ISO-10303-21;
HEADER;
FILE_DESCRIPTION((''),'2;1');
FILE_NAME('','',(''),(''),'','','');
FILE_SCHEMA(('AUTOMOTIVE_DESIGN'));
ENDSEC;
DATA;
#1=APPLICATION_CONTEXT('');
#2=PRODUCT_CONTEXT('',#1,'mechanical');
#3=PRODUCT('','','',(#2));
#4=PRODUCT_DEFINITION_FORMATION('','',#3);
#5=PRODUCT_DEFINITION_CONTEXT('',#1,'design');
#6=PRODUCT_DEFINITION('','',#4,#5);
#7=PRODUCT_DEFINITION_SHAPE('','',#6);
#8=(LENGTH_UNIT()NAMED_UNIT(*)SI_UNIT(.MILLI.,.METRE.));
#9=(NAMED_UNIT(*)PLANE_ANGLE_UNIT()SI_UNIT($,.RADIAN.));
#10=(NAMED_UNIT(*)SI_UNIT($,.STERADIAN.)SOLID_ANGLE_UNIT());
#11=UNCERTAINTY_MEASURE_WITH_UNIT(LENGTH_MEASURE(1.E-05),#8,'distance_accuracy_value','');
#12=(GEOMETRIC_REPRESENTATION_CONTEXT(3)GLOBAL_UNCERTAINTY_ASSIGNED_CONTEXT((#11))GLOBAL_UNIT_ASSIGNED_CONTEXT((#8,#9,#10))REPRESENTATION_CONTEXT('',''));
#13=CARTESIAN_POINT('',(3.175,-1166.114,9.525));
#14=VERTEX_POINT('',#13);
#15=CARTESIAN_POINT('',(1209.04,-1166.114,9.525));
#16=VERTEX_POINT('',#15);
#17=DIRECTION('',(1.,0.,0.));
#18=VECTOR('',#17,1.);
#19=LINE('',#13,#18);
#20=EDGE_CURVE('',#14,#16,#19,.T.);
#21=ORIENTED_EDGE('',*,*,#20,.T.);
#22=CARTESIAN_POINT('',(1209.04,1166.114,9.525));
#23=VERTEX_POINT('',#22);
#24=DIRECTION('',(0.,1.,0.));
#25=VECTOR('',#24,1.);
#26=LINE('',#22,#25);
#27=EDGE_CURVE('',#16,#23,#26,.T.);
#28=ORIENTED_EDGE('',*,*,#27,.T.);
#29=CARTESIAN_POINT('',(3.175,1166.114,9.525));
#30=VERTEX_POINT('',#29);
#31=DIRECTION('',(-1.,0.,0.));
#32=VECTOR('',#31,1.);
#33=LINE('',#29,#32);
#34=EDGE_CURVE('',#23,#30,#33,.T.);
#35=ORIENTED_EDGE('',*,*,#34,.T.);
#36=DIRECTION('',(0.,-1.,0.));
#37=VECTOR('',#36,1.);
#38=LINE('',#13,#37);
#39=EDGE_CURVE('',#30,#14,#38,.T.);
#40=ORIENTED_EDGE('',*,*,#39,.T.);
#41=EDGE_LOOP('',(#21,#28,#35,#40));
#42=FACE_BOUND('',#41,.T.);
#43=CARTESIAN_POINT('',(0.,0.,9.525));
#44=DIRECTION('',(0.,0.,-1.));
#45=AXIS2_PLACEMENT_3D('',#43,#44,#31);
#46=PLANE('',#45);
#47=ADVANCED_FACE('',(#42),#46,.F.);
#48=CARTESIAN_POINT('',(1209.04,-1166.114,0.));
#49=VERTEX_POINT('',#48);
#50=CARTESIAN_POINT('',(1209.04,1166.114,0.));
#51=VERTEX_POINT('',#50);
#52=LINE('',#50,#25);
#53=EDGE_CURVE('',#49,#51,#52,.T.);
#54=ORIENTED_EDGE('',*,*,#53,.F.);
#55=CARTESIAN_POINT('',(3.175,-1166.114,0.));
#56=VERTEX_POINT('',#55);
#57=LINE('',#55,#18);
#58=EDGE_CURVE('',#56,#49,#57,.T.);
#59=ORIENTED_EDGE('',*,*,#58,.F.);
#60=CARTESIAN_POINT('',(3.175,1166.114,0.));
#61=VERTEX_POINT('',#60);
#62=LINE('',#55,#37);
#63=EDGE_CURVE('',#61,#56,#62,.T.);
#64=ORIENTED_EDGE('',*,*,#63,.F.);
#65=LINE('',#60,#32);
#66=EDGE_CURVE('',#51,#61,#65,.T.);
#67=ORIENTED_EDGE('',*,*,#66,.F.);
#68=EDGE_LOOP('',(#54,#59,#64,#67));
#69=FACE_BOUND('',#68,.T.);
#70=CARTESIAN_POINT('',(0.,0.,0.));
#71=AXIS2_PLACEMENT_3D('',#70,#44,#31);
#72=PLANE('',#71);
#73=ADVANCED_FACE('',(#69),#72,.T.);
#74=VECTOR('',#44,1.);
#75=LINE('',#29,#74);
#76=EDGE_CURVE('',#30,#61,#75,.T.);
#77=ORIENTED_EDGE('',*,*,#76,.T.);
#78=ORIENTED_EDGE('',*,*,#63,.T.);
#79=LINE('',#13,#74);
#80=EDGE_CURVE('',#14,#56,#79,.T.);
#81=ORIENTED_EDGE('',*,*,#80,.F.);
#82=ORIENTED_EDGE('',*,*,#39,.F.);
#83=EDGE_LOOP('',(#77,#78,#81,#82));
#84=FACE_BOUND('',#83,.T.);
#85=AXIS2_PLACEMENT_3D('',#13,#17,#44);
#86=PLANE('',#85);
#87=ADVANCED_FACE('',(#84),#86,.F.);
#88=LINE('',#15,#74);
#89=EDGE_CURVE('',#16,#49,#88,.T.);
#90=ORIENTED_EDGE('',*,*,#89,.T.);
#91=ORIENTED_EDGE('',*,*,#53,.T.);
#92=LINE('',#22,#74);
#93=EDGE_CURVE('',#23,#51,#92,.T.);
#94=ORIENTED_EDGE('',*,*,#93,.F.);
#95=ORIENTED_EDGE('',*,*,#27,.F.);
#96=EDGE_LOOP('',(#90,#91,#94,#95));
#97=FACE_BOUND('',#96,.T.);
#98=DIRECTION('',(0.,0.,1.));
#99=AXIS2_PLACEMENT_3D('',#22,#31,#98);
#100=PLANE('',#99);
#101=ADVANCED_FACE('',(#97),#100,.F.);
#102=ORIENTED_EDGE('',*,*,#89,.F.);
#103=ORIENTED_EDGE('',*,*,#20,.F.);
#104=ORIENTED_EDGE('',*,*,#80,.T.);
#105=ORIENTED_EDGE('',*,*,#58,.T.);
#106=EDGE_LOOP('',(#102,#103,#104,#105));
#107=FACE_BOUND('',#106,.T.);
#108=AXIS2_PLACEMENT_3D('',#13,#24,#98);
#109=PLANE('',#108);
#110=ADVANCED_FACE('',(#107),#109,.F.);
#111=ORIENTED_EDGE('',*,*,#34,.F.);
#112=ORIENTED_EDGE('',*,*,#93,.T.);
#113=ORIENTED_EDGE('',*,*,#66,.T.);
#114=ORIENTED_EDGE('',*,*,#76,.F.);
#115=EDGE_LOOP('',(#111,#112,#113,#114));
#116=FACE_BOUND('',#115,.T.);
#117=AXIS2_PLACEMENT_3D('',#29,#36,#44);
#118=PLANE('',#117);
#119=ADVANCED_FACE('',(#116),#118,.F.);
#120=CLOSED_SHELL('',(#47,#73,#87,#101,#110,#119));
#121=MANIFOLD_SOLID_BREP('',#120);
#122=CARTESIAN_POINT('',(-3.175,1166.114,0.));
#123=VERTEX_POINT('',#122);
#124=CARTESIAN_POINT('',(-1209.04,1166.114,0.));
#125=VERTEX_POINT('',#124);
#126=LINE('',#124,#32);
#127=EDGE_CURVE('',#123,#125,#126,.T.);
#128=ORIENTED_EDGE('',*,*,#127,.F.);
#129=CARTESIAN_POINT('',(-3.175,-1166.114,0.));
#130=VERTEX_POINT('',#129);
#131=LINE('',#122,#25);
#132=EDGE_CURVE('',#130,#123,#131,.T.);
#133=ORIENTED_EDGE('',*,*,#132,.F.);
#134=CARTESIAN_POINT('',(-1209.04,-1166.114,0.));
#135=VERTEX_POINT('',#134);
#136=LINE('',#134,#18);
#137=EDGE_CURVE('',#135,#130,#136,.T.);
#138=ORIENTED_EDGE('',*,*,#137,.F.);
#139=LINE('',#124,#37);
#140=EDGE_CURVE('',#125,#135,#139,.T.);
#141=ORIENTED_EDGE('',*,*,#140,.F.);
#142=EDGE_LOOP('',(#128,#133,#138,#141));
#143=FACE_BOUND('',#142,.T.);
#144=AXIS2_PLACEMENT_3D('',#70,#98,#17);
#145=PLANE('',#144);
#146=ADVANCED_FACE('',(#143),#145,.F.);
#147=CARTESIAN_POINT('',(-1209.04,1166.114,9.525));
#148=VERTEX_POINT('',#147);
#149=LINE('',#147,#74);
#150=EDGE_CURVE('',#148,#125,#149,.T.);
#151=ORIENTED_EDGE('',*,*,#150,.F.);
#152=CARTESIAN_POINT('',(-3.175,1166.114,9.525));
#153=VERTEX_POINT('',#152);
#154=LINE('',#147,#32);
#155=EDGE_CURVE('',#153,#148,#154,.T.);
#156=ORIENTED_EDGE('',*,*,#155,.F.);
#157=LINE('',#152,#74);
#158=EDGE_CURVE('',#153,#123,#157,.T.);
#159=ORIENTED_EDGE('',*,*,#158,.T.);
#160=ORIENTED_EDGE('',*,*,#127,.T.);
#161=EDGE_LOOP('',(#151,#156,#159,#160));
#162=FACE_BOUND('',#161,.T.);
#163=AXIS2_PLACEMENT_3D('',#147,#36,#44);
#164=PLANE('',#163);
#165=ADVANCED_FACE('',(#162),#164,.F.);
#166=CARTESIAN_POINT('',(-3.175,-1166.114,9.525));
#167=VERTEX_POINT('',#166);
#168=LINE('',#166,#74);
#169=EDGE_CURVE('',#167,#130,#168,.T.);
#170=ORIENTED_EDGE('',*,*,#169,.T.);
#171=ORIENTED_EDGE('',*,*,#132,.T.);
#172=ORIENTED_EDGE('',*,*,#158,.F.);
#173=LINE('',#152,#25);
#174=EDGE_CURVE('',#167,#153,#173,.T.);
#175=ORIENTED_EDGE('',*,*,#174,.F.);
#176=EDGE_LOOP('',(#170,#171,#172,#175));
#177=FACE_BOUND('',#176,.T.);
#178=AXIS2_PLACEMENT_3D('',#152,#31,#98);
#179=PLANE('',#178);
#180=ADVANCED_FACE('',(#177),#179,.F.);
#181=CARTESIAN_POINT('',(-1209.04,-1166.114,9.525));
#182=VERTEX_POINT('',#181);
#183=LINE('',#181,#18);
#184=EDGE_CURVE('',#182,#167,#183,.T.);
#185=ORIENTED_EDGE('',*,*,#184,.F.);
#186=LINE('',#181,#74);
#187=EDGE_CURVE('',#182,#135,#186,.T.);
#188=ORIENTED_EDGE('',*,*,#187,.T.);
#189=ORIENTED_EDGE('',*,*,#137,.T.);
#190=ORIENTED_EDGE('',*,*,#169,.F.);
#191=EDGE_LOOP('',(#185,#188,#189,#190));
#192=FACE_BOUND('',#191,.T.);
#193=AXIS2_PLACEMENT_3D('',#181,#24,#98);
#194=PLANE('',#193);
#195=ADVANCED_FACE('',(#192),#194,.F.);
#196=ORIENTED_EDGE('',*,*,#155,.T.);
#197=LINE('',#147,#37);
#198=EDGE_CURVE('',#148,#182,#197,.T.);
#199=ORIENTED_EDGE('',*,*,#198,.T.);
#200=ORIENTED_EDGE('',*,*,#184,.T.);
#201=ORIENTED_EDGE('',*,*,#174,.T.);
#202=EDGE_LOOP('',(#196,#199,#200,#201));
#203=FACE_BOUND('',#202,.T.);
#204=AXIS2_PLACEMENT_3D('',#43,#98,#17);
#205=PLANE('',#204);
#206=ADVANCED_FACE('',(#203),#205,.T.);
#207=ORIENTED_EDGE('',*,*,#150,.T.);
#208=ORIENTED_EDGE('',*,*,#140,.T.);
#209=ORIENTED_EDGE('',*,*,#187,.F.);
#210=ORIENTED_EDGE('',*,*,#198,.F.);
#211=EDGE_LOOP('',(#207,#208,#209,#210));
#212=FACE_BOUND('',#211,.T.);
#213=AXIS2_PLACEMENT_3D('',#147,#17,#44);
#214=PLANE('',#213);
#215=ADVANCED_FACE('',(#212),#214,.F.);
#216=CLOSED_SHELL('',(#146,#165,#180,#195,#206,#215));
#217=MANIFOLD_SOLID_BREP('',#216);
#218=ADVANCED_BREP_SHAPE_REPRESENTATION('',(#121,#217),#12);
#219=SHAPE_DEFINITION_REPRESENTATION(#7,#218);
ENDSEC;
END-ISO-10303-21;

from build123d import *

# Parameters (mm, degrees)
SKETCH1_W             = 1205.865
SKETCH1_H             = 2332.228
BOSS_EXTRUDE1_DEPTH   = 9.525
BOSS_EXTRUDE1_2_DEPTH = 9.525


with BuildPart() as part:
    # Sketch1 → Boss-Extrude1 (new body)
    with BuildSketch(Plane.XY):
        with Locations((-606.1075, 0)):
            Rectangle(SKETCH1_W, SKETCH1_H)
    extrude(amount=BOSS_EXTRUDE1_DEPTH)


with BuildPart() as body_2:
    # Sketch1 → Boss-Extrude1 2 (new body)
    with BuildSketch(Plane.XY):
        with Locations((606.1075, 0)):
            Rectangle(SKETCH1_W, SKETCH1_H)
    extrude(amount=BOSS_EXTRUDE1_2_DEPTH)


solid = Compound([part.part, body_2.part])
